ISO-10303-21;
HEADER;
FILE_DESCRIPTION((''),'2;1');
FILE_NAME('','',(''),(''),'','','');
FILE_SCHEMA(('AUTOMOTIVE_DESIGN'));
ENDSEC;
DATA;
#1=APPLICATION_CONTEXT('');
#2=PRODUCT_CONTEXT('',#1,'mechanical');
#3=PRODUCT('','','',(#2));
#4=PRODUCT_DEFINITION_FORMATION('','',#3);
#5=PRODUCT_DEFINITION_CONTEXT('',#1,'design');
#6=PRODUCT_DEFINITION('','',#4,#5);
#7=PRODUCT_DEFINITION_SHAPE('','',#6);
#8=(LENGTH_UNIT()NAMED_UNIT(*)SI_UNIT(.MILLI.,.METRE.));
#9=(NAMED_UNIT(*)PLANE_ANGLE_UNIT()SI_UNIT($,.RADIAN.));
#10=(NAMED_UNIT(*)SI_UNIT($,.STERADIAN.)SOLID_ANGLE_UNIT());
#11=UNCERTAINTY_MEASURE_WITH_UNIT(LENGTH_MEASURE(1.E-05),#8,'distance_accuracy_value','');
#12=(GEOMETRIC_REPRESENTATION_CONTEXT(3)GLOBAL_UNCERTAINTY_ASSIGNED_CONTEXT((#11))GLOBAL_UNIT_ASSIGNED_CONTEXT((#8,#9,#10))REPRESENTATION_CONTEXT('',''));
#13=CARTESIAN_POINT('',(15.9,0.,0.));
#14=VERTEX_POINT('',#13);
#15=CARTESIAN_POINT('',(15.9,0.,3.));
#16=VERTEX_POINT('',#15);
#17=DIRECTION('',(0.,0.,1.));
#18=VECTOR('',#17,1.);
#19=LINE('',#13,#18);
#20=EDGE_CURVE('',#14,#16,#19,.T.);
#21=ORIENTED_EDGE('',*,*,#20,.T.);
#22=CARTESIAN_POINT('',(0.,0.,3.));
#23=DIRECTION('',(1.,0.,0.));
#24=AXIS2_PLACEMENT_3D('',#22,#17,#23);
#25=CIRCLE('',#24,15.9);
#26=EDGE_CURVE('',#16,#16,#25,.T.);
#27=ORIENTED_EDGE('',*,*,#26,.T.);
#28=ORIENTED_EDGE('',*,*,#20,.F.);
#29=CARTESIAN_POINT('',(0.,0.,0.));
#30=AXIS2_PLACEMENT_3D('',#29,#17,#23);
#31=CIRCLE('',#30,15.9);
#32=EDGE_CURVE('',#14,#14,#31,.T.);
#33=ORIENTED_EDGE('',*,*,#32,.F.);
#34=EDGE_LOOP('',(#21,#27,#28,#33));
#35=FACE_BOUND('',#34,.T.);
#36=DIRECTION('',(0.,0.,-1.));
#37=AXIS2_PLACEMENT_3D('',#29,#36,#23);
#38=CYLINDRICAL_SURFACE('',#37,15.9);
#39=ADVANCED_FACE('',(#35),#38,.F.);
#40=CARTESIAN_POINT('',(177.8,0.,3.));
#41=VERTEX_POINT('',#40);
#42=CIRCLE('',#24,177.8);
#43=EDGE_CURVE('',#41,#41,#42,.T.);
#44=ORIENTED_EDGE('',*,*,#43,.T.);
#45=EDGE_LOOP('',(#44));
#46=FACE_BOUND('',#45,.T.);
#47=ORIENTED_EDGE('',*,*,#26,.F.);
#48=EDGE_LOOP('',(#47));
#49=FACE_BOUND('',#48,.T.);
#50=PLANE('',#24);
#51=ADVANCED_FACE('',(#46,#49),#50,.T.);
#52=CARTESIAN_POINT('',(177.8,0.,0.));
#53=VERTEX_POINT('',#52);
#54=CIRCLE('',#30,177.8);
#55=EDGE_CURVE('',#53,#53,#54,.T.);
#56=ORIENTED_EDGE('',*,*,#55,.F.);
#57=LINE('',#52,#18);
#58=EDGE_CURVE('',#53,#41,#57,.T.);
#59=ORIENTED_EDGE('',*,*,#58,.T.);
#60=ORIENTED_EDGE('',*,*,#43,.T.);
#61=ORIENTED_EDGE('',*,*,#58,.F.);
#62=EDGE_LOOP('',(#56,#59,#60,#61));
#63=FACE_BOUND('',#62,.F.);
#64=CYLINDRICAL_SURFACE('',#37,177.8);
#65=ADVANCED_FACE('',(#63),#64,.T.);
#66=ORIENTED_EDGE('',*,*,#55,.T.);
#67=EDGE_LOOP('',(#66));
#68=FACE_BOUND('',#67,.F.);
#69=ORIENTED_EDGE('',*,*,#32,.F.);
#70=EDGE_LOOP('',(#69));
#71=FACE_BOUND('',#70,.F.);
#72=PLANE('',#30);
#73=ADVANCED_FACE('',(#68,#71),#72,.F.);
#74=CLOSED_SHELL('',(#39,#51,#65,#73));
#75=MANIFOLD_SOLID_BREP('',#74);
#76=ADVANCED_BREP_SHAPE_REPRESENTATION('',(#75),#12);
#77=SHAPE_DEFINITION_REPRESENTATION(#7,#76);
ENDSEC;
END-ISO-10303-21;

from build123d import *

# Parameters (mm, degrees)
SKETCH1_R           = 177.8
SKETCH1_R_2         = 15.9
BOSS_EXTRUDE1_DEPTH = 3


with BuildPart() as part:
    # Sketch1 → Boss-Extrude1 (new body)
    with BuildSketch(Plane.XY):
        Circle(SKETCH1_R)
        Circle(SKETCH1_R_2, mode=Mode.SUBTRACT)
    extrude(amount=BOSS_EXTRUDE1_DEPTH)


solid = part.part
